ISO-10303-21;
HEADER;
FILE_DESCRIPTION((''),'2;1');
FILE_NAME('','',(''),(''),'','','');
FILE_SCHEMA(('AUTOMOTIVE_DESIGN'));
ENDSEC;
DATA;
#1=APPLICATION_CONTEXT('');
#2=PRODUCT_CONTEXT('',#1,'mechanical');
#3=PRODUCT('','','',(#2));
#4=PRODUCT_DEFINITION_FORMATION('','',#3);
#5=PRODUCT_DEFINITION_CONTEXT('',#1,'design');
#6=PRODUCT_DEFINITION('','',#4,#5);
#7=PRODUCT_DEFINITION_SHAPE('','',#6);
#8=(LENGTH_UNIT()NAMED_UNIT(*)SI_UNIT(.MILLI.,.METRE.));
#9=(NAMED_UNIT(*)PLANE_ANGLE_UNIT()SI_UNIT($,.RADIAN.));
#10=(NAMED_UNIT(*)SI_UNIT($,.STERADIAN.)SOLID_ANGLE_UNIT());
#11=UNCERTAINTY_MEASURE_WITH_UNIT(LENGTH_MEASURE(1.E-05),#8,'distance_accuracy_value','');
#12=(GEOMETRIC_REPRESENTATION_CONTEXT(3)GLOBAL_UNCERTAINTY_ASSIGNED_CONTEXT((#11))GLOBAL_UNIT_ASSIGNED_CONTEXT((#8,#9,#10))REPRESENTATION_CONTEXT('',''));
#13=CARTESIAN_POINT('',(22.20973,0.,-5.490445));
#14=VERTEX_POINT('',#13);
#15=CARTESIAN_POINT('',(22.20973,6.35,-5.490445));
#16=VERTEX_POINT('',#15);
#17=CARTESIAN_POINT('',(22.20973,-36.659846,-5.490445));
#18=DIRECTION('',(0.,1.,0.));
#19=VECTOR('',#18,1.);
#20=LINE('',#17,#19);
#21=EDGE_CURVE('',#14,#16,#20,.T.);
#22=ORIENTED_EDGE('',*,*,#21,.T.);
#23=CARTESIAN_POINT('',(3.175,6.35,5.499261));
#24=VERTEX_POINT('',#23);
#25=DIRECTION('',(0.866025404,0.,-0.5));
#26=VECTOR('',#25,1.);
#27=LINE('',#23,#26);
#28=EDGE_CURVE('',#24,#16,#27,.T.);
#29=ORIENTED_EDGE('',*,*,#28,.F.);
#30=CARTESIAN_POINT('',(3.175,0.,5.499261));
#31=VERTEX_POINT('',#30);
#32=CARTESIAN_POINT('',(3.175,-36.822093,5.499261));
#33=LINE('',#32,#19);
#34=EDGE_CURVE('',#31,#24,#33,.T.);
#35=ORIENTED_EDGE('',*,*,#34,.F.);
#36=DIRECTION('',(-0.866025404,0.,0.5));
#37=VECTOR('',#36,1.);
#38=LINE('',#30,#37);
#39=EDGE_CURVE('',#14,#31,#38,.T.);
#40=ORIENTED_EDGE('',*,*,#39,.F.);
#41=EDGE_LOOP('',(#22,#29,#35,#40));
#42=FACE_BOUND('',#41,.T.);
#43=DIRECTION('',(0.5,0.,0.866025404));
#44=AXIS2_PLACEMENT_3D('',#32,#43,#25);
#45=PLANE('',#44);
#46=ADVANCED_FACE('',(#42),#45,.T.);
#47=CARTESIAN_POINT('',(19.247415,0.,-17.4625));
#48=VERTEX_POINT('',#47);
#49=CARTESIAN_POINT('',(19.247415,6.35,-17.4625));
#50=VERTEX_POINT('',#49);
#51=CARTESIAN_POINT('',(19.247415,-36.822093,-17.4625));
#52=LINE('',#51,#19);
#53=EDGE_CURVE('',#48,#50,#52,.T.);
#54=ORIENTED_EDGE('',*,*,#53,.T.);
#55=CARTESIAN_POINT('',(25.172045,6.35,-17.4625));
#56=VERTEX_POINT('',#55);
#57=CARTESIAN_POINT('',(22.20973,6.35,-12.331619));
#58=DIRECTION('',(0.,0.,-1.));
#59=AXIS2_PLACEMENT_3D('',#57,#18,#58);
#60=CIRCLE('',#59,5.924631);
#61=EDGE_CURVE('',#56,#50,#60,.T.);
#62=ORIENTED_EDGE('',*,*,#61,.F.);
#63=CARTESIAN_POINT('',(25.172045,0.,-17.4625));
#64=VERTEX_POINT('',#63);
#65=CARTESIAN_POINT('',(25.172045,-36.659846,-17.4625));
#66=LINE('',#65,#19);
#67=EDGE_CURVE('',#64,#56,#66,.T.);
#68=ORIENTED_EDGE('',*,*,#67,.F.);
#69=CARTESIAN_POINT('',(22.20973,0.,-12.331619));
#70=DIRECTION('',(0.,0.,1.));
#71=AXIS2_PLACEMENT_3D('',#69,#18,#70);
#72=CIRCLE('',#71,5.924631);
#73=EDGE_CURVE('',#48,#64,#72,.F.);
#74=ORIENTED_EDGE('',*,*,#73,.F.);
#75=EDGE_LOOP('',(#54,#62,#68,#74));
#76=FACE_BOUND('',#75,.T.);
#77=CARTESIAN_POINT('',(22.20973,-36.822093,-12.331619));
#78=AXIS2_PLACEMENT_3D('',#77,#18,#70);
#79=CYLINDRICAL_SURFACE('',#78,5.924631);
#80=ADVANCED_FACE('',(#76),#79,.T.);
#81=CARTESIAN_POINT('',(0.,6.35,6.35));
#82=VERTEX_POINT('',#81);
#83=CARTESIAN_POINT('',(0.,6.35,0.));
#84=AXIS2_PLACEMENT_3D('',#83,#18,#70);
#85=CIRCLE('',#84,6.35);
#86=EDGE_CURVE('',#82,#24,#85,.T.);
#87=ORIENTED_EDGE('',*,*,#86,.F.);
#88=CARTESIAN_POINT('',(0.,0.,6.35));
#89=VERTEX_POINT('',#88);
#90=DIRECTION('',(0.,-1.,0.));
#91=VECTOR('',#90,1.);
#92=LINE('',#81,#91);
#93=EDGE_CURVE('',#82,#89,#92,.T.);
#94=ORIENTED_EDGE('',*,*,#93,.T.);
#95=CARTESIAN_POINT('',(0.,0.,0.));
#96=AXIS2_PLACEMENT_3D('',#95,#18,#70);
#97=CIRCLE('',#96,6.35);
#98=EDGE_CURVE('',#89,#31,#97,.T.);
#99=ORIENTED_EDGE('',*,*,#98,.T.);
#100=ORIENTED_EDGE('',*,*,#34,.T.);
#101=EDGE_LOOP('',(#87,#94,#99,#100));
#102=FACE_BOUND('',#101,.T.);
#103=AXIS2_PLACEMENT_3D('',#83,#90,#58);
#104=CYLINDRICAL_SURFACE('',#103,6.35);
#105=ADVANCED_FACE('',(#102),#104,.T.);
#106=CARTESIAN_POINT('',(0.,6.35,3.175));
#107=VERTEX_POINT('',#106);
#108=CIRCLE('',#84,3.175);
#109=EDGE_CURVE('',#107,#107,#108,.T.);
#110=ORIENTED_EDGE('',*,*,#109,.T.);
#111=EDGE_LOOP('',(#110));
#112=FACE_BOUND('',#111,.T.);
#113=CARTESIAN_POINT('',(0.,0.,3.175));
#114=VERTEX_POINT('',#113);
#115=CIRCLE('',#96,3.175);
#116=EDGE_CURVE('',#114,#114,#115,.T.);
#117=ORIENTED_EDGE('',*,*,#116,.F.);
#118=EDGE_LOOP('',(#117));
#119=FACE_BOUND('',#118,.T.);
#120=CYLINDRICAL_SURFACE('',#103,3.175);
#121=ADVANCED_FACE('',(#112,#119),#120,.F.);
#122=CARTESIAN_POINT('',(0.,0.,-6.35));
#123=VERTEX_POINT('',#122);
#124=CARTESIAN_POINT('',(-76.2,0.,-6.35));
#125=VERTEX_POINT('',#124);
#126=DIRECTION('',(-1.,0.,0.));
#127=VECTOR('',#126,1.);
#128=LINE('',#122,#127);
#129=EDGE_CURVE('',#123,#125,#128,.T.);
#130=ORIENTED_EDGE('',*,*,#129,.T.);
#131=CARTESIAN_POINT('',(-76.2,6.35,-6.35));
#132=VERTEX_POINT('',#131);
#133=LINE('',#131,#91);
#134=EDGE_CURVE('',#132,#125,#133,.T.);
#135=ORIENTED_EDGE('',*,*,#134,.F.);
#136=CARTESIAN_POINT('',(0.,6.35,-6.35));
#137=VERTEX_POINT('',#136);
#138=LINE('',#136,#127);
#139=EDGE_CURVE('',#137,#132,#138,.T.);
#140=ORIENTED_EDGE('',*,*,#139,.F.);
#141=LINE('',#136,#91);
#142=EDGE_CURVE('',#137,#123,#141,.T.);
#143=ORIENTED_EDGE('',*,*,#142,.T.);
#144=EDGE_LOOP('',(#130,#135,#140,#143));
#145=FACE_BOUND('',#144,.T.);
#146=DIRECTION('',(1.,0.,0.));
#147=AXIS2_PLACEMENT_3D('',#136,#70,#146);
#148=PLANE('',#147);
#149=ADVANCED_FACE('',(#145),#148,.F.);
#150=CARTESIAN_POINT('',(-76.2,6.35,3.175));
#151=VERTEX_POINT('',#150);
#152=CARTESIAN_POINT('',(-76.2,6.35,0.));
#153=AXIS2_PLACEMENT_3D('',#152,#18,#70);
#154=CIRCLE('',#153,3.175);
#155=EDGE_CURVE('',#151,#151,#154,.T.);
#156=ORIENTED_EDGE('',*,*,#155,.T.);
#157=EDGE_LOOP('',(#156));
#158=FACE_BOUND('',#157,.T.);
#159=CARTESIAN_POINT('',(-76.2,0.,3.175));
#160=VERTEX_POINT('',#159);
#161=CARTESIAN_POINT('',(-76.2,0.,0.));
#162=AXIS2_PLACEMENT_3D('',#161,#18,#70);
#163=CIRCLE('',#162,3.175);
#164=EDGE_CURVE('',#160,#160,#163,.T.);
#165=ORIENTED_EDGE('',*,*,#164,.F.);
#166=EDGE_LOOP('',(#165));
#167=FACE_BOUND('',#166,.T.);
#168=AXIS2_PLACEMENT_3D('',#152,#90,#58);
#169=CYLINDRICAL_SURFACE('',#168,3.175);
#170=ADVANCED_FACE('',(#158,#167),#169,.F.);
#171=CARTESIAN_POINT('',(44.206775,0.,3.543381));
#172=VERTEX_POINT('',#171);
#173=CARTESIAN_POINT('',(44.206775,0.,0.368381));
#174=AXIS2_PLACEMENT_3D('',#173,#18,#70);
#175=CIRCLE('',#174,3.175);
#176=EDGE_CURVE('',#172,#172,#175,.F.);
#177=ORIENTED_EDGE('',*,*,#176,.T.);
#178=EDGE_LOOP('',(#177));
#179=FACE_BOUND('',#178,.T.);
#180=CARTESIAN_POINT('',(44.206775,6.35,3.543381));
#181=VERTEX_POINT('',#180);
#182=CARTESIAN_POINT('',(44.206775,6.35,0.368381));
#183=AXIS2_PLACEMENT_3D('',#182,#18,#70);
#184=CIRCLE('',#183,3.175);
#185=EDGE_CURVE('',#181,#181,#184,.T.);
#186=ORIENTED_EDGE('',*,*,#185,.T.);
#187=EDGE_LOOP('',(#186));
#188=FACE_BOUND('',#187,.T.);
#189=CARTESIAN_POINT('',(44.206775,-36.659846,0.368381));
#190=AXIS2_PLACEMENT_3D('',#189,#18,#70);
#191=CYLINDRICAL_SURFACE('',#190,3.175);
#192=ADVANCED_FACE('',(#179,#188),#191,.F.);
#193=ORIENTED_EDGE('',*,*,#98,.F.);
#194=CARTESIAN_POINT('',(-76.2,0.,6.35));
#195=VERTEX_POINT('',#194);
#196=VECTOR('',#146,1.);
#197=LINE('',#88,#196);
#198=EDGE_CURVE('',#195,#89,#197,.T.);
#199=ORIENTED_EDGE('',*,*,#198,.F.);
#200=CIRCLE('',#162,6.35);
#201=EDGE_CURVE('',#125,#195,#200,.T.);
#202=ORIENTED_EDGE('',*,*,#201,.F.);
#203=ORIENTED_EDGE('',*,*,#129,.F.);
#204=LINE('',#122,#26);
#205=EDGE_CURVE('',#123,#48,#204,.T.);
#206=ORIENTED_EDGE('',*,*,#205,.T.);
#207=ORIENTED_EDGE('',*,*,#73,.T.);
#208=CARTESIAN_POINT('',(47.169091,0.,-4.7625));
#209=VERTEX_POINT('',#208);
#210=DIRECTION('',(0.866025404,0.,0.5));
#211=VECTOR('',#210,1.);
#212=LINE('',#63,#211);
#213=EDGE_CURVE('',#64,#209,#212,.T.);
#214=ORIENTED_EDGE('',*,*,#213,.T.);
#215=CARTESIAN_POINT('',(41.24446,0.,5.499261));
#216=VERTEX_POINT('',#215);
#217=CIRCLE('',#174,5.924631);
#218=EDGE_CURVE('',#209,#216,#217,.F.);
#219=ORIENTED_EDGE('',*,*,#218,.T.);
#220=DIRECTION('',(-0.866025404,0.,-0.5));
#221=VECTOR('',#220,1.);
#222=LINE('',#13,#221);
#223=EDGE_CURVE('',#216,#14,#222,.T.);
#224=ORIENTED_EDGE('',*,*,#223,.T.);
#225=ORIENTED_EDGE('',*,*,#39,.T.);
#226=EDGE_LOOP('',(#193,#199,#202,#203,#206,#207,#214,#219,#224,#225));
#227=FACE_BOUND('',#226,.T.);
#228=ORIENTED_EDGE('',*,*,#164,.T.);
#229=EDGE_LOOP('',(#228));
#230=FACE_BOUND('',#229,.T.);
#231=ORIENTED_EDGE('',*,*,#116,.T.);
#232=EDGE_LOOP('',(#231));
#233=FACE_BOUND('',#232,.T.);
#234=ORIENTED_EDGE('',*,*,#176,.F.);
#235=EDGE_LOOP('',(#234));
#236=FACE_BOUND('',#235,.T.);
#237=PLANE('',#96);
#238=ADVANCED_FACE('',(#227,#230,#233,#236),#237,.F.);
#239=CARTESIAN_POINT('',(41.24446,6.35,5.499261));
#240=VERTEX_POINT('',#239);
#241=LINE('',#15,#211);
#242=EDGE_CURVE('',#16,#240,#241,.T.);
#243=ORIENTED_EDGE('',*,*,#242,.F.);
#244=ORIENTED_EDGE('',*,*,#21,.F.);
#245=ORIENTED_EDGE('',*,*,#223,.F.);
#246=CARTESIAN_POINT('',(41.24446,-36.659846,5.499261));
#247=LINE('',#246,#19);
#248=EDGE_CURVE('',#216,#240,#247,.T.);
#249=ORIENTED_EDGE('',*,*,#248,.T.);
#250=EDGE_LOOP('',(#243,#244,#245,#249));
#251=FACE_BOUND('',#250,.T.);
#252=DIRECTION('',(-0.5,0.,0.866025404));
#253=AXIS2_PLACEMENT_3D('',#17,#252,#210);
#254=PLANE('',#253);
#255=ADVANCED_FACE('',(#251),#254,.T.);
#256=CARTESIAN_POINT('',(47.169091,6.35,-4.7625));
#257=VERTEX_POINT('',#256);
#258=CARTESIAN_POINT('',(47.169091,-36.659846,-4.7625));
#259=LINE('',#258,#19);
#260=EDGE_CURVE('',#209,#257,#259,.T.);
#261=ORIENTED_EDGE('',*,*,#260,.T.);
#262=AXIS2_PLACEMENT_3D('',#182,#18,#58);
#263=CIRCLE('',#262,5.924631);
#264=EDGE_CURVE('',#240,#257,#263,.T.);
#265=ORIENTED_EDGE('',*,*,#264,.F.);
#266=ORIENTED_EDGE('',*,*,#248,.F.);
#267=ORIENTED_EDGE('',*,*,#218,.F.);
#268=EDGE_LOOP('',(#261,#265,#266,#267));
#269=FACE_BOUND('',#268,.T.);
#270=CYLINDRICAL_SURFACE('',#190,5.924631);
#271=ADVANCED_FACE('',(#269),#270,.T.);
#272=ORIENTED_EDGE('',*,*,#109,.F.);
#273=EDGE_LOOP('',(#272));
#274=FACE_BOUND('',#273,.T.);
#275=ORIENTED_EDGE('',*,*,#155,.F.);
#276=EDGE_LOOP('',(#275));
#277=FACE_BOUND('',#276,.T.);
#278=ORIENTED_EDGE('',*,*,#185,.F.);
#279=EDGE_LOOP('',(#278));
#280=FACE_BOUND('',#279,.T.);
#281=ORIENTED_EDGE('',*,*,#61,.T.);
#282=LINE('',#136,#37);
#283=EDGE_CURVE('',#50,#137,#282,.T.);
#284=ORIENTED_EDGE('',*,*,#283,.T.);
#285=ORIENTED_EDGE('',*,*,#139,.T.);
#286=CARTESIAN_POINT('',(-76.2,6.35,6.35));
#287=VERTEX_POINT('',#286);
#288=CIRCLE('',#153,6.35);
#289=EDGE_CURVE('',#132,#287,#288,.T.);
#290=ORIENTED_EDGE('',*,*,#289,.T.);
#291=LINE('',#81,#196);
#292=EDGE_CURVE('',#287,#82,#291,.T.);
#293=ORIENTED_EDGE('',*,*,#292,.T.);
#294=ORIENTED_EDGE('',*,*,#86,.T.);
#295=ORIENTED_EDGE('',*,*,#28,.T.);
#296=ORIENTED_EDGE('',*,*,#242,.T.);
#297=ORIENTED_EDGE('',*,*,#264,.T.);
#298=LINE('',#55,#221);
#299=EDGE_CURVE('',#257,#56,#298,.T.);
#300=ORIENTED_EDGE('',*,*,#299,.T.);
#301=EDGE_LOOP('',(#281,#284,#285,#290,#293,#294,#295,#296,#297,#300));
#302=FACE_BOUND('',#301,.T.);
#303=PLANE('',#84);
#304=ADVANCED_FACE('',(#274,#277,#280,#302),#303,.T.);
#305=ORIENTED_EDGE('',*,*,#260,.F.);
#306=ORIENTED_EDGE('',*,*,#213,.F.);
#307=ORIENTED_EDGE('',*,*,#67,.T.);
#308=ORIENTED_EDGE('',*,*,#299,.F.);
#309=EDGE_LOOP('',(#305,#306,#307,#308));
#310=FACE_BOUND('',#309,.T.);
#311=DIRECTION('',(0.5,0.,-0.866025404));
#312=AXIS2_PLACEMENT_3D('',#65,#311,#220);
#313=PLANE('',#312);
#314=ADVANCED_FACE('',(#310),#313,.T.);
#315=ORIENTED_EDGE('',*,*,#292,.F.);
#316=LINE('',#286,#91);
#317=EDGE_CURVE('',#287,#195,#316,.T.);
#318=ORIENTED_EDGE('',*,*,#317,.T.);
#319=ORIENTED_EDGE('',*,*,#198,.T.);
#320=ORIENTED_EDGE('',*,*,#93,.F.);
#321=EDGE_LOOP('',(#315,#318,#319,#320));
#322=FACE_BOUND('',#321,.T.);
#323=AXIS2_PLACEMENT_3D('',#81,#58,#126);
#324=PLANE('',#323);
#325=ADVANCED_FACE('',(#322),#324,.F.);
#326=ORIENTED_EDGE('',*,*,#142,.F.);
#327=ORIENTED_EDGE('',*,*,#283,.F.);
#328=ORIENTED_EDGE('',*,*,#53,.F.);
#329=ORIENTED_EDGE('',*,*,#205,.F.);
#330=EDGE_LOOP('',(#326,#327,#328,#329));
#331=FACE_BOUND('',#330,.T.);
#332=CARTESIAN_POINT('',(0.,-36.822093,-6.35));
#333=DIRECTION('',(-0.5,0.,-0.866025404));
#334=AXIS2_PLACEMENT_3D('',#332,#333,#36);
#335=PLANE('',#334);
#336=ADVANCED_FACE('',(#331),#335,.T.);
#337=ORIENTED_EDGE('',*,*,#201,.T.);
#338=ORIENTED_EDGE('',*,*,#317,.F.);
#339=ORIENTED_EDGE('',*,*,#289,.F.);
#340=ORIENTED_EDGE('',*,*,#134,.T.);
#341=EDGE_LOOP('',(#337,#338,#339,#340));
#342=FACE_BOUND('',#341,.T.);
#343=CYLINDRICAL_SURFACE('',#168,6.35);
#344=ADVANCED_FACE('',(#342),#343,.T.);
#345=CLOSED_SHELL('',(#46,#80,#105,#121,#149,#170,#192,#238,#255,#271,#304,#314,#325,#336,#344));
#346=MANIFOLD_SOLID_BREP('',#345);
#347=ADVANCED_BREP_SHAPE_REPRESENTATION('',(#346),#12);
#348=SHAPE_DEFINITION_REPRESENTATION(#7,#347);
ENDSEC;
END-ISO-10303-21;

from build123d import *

# Parameters (mm, degrees)
SKETCH1_R           = 3.175
BOSS_EXTRUDE1_DEPTH = 6.35
BOSS_EXTRUDE2_START = -6.35
BOSS_EXTRUDE2_DEPTH = 6.35
BOSS_EXTRUDE3_START = -6.35
SKETCH3_R           = 3.175
BOSS_EXTRUDE3_DEPTH = 6.35


with BuildPart() as part:
    # Sketch1 → Boss-Extrude1 (new body)
    with BuildSketch(Plane(origin=(0, 0, 0), x_dir=(1, 0, 0), z_dir=(0, 1, 0))):
        with BuildLine():
            Line((0, -6.35), (-76.2, -6.35))
            ThreePointArc((-76.2, -6.35), (-82.55, 0), (-76.2, 6.35))
            Line((-76.2, 6.35), (0, 6.35))
            ThreePointArc((0, 6.35), (6.35, 0), (0, -6.35))
        make_face()
        with Locations(Location((-76.2, 0, 0), (0, 0, 270))):
            Circle(SKETCH1_R, mode=Mode.SUBTRACT)
        with Locations(Location((0, 0, 0), (0, 0, 270))):
            Circle(SKETCH1_R, mode=Mode.SUBTRACT)
    extrude(amount=BOSS_EXTRUDE1_DEPTH)

    # Sketch2 → Boss-Extrude2 (add)
    with BuildSketch(Plane(origin=(0, 6.35, 0), x_dir=(1, 0, 0), z_dir=(0, 1, 0)).offset(BOSS_EXTRUDE2_START)):
        with BuildLine():
            Line((3.175, -5.499261314), (25.172045256, 7.200738686))
            ThreePointArc((25.172045256, 7.200738686), (27.340610585, 15.293934671), (19.247414599, 17.4625))
            Line((19.247414599, 17.4625), (0, 6.35))
            ThreePointArc((0, 6.35), (6.133628997, 1.643500936), (3.175, -5.499261314))
        make_face()
    extrude(amount=BOSS_EXTRUDE2_DEPTH)

    # Sketch3 → Boss-Extrude3 (add)
    with BuildSketch(Plane(origin=(0, 6.35, 0), x_dir=(1, 0, 0), z_dir=(0, 1, 0)).offset(BOSS_EXTRUDE3_START)):
        with BuildLine():
            Line((25.172045256, 17.4625), (47.169090512, 4.7625))
            ThreePointArc((47.169090512, 4.7625), (49.337655841, -3.330695986), (41.244459855, -5.499261314))
            Line((41.244459855, -5.499261314), (22.209729928, 5.490445134))
            Line((22.209729928, 5.490445134), (25.172045256, 7.200738686))
            ThreePointArc((25.172045256, 7.200738686), (28.134360585, 12.331619343), (25.172045256, 17.4625))
        make_face()
        with Locations(Location((44.206775184, -0.368380657, 0), (0, 0, 270))):
            Circle(SKETCH3_R, mode=Mode.SUBTRACT)
    extrude(amount=BOSS_EXTRUDE3_DEPTH)


solid = part.part
